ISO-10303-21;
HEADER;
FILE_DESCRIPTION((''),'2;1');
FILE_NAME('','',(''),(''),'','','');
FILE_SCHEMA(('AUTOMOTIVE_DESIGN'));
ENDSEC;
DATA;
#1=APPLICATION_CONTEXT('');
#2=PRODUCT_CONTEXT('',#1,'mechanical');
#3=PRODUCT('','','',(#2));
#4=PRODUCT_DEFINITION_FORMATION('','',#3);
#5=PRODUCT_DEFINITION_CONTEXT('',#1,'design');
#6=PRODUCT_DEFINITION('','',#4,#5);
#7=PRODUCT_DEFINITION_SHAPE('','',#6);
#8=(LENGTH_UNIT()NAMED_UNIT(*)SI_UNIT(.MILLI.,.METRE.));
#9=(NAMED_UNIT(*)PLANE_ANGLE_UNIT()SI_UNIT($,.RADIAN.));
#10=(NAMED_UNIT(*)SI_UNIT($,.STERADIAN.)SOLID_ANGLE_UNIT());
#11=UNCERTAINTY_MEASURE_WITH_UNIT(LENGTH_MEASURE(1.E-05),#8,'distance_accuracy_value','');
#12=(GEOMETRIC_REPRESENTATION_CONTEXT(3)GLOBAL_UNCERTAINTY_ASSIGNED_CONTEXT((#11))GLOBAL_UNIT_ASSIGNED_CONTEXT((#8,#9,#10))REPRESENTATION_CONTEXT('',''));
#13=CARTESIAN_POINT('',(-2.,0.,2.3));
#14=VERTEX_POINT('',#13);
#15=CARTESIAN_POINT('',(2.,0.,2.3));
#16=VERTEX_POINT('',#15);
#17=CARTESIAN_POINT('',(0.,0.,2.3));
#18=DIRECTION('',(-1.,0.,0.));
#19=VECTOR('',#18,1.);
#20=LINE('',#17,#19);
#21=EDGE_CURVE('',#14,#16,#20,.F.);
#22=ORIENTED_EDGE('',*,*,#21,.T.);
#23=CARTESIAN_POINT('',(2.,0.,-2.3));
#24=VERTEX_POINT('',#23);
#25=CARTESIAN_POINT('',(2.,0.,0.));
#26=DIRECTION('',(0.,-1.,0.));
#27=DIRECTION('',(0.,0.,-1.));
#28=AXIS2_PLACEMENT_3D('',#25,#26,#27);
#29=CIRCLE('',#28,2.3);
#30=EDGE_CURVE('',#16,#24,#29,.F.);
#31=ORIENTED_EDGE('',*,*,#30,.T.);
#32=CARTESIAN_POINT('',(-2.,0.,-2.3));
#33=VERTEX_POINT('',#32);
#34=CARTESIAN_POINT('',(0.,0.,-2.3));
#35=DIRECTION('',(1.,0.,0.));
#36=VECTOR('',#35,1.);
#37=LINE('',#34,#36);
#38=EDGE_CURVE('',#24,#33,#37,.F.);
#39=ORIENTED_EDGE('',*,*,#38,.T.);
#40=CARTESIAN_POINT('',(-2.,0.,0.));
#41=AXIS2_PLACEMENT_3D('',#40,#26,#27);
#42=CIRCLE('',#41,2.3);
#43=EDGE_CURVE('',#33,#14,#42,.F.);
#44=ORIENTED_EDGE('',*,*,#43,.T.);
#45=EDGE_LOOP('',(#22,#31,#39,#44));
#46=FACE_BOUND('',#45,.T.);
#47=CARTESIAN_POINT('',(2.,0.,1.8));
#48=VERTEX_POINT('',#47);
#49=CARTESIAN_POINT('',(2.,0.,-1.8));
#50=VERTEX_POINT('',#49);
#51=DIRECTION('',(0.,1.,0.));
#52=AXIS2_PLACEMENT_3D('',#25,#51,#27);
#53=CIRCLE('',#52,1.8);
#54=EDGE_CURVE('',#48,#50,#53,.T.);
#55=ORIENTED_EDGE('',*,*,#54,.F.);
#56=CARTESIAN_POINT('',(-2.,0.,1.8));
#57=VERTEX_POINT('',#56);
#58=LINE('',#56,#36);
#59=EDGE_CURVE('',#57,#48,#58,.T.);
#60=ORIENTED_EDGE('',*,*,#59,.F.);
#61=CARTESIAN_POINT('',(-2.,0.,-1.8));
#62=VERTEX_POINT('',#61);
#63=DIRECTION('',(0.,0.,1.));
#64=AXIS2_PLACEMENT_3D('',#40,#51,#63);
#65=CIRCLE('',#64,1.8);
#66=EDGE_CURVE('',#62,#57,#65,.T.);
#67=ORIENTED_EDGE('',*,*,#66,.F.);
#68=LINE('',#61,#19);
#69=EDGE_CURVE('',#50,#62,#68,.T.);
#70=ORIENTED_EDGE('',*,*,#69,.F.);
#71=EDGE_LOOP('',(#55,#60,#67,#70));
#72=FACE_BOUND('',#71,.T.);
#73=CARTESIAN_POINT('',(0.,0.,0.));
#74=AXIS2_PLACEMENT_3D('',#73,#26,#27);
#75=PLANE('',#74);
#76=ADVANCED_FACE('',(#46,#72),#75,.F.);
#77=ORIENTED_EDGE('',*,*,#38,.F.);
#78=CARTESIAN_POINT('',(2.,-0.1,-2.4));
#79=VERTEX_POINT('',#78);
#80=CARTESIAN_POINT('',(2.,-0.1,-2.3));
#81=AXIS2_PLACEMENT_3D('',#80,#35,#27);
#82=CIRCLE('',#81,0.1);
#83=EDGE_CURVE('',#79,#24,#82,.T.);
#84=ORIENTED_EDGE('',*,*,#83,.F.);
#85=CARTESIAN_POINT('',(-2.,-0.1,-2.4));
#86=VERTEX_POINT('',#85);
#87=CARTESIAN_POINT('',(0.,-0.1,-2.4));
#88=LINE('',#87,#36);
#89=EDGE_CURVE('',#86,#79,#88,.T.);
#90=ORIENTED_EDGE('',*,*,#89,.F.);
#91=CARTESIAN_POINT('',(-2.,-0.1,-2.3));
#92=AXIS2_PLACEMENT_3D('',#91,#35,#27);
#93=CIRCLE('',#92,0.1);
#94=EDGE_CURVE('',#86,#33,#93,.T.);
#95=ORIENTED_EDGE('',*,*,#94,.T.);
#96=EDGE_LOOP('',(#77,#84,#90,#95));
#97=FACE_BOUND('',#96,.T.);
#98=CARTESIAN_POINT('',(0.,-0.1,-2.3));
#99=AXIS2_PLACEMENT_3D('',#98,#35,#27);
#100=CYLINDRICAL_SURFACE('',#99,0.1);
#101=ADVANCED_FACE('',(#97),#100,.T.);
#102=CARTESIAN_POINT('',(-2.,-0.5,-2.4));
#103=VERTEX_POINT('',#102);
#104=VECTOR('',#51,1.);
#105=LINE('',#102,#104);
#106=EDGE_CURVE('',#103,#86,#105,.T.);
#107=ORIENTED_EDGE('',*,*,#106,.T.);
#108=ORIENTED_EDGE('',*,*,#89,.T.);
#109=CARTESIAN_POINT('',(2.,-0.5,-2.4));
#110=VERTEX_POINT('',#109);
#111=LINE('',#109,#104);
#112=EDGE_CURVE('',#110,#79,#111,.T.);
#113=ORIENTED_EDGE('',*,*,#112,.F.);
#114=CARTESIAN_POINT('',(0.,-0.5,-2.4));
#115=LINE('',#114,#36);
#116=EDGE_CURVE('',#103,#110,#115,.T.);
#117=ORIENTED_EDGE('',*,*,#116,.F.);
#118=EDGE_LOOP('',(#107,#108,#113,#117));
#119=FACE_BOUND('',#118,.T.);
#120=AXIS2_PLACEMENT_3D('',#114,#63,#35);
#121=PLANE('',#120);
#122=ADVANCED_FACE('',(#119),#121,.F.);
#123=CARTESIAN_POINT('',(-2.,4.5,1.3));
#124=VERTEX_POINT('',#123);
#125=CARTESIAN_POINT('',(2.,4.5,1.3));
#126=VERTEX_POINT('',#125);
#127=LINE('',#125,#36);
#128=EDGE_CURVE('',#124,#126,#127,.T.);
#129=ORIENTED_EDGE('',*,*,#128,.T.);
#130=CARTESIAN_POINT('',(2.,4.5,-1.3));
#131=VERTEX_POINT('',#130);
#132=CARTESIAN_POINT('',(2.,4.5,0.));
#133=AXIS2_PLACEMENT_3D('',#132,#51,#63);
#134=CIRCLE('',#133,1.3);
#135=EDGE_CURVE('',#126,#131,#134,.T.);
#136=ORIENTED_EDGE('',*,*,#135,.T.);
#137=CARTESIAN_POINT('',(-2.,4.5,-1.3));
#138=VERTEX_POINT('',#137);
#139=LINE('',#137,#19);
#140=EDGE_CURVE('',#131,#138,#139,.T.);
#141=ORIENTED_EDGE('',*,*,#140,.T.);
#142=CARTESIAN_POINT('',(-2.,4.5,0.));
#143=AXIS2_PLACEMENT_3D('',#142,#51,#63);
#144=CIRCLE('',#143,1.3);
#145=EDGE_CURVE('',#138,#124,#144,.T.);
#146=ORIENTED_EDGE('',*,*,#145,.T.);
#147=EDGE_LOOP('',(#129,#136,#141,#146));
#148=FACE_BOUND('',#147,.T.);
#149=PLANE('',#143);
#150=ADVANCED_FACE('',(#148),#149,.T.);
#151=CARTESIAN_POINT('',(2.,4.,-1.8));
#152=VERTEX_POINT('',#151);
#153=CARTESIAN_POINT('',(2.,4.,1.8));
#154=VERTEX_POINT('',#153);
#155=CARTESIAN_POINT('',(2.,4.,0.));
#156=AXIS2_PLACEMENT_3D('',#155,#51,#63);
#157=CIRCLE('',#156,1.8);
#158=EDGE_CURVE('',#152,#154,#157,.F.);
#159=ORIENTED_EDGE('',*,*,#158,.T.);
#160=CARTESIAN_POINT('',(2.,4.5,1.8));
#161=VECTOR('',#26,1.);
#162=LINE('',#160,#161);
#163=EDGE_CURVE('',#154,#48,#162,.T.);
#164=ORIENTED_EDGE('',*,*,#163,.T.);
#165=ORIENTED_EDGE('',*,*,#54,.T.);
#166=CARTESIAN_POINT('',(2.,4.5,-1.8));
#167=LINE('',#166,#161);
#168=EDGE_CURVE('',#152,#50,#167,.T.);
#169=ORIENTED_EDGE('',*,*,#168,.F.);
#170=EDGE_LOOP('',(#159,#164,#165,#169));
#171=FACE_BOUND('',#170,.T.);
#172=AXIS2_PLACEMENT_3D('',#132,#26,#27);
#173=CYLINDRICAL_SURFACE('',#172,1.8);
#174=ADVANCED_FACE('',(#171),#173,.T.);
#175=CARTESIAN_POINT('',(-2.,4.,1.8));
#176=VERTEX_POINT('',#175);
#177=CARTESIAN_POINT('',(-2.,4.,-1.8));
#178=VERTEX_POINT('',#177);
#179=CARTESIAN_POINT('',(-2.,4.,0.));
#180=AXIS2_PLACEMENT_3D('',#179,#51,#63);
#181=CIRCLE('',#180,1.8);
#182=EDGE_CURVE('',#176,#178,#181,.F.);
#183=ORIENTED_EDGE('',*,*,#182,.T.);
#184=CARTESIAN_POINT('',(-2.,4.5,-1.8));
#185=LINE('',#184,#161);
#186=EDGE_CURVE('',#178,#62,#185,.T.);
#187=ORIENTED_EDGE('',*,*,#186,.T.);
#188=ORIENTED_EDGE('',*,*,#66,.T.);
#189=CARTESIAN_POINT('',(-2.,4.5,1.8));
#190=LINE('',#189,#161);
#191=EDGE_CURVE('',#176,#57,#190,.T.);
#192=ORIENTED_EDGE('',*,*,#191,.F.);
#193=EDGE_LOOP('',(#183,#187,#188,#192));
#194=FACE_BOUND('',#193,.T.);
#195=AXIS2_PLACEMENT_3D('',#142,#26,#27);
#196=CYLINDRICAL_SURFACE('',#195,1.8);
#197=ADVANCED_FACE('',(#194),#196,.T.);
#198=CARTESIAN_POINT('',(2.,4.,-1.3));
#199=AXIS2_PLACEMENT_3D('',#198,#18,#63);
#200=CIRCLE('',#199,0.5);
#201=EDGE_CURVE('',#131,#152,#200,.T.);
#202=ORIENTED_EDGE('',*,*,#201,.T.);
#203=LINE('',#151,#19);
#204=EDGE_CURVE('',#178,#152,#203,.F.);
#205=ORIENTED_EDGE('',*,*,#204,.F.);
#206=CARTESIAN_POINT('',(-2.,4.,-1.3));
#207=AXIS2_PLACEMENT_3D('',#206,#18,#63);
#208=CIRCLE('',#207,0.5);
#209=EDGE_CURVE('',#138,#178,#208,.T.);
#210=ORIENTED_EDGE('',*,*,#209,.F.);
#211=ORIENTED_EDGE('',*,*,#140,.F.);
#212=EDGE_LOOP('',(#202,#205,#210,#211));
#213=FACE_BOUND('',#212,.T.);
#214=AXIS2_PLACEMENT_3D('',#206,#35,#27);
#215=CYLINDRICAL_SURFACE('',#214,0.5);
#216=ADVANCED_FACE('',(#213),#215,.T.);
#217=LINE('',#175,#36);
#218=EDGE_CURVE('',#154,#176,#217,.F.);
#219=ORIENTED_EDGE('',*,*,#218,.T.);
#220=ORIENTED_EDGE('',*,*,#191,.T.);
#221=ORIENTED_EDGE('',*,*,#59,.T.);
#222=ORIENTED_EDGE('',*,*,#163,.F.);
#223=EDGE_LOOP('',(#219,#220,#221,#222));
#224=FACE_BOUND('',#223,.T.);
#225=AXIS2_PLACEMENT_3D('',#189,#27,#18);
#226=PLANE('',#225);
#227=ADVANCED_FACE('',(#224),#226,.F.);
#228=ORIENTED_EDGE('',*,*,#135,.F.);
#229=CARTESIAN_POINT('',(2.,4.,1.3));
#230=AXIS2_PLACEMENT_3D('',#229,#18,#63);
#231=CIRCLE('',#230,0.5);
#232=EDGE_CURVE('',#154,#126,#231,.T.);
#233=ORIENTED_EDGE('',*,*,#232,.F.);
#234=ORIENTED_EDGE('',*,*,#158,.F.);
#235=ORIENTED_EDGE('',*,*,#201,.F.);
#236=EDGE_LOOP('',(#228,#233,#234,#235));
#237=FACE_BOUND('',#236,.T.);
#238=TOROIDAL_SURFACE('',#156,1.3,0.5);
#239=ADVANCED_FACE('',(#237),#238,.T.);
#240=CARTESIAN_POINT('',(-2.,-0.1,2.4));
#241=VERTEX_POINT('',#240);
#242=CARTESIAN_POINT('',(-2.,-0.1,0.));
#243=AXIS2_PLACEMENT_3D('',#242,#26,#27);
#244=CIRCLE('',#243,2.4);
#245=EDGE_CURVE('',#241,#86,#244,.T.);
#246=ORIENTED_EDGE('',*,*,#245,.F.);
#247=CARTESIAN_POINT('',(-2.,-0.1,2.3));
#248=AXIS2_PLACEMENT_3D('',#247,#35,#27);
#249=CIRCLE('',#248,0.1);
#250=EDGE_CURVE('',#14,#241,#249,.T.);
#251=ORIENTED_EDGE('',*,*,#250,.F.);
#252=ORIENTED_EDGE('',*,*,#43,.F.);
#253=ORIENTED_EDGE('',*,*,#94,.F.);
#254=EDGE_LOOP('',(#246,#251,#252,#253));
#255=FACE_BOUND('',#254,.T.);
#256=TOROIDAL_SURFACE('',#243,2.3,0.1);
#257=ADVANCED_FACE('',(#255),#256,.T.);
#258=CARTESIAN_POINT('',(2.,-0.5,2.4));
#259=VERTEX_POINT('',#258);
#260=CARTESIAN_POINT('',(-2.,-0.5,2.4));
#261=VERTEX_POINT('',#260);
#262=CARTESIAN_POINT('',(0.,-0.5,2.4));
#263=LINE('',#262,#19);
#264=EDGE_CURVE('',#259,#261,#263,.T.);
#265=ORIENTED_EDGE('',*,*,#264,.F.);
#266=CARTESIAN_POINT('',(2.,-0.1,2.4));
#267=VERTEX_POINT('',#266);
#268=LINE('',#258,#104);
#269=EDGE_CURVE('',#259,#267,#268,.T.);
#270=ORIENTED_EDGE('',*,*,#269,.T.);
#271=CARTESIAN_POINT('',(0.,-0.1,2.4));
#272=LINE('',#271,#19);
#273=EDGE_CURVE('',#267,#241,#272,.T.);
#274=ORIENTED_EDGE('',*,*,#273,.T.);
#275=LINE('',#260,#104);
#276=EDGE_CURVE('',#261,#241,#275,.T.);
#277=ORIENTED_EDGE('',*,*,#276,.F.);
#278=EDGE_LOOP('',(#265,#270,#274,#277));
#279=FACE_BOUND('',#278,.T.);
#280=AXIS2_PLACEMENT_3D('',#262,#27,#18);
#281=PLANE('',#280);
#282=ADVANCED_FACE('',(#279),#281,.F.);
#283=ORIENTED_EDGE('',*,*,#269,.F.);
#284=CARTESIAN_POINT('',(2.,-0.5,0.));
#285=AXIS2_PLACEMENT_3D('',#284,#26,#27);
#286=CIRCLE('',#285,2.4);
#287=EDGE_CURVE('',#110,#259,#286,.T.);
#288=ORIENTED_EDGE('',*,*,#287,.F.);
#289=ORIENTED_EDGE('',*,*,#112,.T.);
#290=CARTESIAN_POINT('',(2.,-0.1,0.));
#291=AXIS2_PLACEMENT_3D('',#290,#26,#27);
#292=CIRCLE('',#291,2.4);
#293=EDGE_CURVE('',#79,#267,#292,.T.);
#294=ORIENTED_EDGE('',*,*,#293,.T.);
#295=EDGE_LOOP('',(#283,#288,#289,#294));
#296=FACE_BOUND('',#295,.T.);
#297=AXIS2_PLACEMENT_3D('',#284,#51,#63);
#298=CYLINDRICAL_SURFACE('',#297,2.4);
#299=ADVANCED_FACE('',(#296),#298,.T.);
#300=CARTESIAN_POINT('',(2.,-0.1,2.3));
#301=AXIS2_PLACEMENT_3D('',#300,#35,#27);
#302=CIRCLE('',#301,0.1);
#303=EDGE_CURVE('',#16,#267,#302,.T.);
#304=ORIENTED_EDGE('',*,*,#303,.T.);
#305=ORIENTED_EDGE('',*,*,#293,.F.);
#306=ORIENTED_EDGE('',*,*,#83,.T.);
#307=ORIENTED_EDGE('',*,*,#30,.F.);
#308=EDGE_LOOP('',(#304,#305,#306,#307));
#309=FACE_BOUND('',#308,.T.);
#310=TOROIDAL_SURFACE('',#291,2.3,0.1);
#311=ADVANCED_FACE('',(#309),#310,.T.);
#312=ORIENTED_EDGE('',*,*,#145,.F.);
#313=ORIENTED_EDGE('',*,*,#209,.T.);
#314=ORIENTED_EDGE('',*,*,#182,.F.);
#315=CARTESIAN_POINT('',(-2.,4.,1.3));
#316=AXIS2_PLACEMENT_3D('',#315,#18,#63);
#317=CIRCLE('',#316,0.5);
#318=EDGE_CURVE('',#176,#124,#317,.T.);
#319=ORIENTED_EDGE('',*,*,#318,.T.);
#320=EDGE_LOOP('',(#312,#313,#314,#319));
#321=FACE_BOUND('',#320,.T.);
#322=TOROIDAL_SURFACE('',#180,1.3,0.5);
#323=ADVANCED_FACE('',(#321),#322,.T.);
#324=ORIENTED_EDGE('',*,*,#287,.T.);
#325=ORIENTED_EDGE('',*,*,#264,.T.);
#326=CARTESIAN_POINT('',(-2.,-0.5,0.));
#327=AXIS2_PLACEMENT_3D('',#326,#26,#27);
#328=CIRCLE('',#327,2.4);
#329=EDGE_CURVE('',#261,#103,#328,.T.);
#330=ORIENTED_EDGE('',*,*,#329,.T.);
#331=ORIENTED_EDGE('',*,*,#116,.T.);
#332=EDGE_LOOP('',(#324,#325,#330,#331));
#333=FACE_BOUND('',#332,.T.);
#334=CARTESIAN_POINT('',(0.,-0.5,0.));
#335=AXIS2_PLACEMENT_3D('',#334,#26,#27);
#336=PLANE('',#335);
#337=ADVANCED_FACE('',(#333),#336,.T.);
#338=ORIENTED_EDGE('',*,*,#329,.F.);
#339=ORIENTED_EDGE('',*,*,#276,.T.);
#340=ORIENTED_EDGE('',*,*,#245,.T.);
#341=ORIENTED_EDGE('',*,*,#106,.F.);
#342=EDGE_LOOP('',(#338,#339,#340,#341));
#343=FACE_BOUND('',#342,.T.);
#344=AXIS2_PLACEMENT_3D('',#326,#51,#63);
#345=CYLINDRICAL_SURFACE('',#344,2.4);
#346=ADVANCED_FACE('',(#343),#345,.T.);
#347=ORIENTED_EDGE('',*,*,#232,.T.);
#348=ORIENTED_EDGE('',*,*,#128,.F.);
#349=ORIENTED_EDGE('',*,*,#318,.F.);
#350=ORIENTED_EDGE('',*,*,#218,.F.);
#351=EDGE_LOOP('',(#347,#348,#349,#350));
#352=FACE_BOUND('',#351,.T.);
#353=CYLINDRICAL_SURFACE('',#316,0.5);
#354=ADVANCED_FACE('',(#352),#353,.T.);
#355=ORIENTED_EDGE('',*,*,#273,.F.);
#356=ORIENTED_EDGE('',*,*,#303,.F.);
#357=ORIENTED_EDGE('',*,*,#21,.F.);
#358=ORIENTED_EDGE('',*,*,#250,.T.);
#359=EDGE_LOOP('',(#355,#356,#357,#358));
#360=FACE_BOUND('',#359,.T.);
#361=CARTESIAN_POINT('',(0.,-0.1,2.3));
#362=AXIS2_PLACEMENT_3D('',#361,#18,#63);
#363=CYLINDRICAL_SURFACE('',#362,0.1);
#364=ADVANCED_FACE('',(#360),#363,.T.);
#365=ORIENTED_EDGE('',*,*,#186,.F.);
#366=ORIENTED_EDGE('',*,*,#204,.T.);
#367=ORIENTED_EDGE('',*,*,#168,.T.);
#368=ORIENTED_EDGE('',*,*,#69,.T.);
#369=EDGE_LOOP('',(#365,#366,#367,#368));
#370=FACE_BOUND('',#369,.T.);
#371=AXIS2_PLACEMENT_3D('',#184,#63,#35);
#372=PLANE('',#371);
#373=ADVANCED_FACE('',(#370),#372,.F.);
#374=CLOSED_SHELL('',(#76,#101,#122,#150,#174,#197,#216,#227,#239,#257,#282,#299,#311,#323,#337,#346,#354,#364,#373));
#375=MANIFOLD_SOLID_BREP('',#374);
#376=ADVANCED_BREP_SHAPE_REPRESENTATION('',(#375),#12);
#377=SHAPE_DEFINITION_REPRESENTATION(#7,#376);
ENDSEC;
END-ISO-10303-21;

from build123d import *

# Parameters (mm, degrees)
BOSS_EXTRUDE1_DEPTH = 4.5
BOSS_EXTRUDE2_START = 0.5
BOSS_EXTRUDE2_DEPTH = 0.5
FILLET1_R           = 0.5
FILLET2_R           = 0.1


with BuildPart() as part:
    # Sketch1 → Boss-Extrude1 (new body)
    with BuildSketch(Plane(origin=(0, 0, 0), x_dir=(1, 0, 0), z_dir=(0, 1, 0))):
        with BuildLine():
            Line((-2, 1.8), (2, 1.8))
            ThreePointArc((2, 1.8), (3.8, 0), (2, -1.8))
            Line((2, -1.8), (-2, -1.8))
            ThreePointArc((-2, -1.8), (-3.8, 0), (-2, 1.8))
        make_face()
    extrude(amount=BOSS_EXTRUDE1_DEPTH)

    # Sketch2 → Boss-Extrude2 (add)
    # profile 1 of 2: a face of its own
    with BuildSketch(Plane.XZ.offset(BOSS_EXTRUDE2_START)):
        with BuildLine():
            Line((-2, -2.4), (2, -2.4))
            ThreePointArc((2, -2.4), (4.4, 0), (2, 2.4))
            Line((2, 2.4), (-2, 2.4))
            ThreePointArc((-2, 2.4), (-4.4, 0), (-2, -2.4))
        make_face()
        with BuildLine():
            ThreePointArc((-2, 1.8), (-3.8, 0), (-2, -1.8))
            Line((-2, -1.8), (2, -1.8))
            ThreePointArc((2, -1.8), (3.8, 0), (2, 1.8))
            Line((2, 1.8), (-2, 1.8))
        make_face(mode=Mode.SUBTRACT)
    # profile 2 of 2: a face of its own
    with BuildSketch(Plane.XZ.offset(BOSS_EXTRUDE2_START)):
        with BuildLine():
            Line((2, 1.8), (-2, 1.8))
            ThreePointArc((-2, 1.8), (-3.8, 0), (-2, -1.8))
            Line((-2, -1.8), (2, -1.8))
            ThreePointArc((2, -1.8), (3.8, 0), (2, 1.8))
        make_face()
    extrude(amount=-BOSS_EXTRUDE2_DEPTH)

    # Fillet1
    fillet1_edges = [part.edges().sort_by_distance(p)[0] for p in [
        (3.8, 4.5, 0),
        (0, 4.5, -1.8),
        (-3.8, 4.5, 0),
        (0, 4.5, 1.8),
    ]]
    fillet(fillet1_edges, radius=FILLET1_R)

    # Fillet2
    fillet2_edges = [part.edges().sort_by_distance(p)[0] for p in [
        (0, 0, -2.4),
        (4.4, 0, 0),
        (0, 0, 2.4),
        (-4.4, 0, 0),
    ]]
    fillet(fillet2_edges, radius=FILLET2_R)


solid = part.part
